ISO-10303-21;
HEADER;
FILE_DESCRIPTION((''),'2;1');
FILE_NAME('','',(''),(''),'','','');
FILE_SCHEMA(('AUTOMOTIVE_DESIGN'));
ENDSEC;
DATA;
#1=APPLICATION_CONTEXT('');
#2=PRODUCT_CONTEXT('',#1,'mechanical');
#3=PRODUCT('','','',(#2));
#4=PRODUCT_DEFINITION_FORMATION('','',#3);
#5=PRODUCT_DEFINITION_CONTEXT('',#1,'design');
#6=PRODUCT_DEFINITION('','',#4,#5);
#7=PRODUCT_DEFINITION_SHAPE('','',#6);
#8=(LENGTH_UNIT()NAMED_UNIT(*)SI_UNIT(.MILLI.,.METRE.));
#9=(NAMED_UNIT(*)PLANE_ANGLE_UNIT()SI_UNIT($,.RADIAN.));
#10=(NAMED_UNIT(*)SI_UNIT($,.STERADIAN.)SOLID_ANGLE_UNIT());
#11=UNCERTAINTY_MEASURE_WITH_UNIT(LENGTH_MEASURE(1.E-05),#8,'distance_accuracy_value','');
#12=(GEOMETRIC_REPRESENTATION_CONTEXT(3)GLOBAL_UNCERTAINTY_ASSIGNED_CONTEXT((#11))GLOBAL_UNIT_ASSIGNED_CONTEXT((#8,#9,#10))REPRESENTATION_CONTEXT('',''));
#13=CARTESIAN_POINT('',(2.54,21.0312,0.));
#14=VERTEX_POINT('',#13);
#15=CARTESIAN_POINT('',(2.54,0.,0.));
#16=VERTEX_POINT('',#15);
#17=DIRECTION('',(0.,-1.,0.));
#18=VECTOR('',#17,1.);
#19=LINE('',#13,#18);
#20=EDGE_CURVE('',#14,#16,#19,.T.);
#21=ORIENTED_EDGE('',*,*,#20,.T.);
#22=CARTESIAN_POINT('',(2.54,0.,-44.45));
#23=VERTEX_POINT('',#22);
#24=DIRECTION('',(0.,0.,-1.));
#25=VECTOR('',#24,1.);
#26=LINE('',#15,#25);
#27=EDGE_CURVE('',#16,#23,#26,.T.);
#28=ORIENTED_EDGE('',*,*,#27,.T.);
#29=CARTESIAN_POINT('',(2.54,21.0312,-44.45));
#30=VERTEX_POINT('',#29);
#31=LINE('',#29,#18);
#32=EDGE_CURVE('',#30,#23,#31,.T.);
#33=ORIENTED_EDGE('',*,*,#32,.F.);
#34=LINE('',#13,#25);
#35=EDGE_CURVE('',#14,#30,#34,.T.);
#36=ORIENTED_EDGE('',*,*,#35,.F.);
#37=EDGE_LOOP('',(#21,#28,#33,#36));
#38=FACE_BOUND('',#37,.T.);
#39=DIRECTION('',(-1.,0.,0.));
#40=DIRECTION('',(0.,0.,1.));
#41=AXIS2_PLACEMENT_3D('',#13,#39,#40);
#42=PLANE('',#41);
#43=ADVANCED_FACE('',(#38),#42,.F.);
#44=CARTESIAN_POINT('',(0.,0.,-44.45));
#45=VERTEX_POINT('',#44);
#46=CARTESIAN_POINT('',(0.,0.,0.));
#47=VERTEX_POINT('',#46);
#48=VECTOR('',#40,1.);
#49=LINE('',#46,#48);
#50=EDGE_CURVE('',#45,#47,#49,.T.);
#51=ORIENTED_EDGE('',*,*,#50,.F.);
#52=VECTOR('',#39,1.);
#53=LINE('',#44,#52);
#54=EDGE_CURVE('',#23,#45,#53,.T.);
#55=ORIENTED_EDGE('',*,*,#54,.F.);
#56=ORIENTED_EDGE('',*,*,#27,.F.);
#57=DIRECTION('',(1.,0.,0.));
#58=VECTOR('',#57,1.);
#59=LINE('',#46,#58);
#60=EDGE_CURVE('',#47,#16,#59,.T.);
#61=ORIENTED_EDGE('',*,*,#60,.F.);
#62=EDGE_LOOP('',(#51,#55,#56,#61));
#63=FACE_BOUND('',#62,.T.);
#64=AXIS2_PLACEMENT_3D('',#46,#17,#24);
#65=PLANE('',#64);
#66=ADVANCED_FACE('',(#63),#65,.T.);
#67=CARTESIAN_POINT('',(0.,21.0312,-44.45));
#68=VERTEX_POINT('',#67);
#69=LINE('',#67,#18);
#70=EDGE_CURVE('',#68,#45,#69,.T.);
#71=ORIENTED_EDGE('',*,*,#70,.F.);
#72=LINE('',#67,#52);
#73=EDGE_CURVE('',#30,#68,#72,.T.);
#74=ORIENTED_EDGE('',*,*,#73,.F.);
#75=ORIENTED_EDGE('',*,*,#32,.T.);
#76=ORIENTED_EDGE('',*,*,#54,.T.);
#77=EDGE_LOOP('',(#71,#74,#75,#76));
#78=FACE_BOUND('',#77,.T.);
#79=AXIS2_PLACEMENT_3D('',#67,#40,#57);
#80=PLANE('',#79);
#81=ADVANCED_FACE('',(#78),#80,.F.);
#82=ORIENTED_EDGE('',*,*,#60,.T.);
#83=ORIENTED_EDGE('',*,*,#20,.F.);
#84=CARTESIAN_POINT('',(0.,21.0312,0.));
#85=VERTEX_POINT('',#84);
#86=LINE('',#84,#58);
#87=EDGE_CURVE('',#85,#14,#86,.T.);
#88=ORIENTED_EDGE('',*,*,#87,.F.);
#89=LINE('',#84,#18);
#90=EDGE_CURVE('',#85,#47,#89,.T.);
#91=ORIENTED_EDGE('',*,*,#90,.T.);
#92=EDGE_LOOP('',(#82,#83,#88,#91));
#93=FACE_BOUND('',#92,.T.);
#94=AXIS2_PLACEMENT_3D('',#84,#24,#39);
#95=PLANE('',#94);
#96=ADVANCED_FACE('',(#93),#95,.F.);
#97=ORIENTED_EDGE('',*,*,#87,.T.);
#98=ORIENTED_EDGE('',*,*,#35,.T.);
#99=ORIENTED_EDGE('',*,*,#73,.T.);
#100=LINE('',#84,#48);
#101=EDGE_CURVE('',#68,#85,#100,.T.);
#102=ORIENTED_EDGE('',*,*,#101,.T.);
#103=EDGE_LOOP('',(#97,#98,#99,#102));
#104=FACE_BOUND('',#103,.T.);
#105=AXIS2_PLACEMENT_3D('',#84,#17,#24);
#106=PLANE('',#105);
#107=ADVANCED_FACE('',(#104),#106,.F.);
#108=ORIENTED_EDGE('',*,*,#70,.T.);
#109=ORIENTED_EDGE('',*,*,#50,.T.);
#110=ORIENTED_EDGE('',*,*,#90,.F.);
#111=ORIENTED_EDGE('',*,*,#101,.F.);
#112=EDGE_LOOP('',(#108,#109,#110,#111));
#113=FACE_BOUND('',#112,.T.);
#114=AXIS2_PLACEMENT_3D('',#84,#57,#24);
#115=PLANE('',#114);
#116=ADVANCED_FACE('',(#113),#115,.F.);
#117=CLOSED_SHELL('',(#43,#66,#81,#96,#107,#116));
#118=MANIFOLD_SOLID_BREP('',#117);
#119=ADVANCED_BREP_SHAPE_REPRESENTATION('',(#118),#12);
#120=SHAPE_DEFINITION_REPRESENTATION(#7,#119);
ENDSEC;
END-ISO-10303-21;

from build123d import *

# Parameters (mm, degrees)
SKETCH1_W           = 2.54
SKETCH1_H           = 44.45
BOSS_EXTRUDE1_DEPTH = 21.0312


with BuildPart() as part:
    # Sketch1 → Boss-Extrude1 (new body)
    with BuildSketch(Plane(origin=(0, 0, 0), x_dir=(1, 0, 0), z_dir=(0, 1, 0))):
        with Locations((1.27, 22.225)):
            Rectangle(SKETCH1_W, SKETCH1_H)
    extrude(amount=BOSS_EXTRUDE1_DEPTH)


solid = part.part
